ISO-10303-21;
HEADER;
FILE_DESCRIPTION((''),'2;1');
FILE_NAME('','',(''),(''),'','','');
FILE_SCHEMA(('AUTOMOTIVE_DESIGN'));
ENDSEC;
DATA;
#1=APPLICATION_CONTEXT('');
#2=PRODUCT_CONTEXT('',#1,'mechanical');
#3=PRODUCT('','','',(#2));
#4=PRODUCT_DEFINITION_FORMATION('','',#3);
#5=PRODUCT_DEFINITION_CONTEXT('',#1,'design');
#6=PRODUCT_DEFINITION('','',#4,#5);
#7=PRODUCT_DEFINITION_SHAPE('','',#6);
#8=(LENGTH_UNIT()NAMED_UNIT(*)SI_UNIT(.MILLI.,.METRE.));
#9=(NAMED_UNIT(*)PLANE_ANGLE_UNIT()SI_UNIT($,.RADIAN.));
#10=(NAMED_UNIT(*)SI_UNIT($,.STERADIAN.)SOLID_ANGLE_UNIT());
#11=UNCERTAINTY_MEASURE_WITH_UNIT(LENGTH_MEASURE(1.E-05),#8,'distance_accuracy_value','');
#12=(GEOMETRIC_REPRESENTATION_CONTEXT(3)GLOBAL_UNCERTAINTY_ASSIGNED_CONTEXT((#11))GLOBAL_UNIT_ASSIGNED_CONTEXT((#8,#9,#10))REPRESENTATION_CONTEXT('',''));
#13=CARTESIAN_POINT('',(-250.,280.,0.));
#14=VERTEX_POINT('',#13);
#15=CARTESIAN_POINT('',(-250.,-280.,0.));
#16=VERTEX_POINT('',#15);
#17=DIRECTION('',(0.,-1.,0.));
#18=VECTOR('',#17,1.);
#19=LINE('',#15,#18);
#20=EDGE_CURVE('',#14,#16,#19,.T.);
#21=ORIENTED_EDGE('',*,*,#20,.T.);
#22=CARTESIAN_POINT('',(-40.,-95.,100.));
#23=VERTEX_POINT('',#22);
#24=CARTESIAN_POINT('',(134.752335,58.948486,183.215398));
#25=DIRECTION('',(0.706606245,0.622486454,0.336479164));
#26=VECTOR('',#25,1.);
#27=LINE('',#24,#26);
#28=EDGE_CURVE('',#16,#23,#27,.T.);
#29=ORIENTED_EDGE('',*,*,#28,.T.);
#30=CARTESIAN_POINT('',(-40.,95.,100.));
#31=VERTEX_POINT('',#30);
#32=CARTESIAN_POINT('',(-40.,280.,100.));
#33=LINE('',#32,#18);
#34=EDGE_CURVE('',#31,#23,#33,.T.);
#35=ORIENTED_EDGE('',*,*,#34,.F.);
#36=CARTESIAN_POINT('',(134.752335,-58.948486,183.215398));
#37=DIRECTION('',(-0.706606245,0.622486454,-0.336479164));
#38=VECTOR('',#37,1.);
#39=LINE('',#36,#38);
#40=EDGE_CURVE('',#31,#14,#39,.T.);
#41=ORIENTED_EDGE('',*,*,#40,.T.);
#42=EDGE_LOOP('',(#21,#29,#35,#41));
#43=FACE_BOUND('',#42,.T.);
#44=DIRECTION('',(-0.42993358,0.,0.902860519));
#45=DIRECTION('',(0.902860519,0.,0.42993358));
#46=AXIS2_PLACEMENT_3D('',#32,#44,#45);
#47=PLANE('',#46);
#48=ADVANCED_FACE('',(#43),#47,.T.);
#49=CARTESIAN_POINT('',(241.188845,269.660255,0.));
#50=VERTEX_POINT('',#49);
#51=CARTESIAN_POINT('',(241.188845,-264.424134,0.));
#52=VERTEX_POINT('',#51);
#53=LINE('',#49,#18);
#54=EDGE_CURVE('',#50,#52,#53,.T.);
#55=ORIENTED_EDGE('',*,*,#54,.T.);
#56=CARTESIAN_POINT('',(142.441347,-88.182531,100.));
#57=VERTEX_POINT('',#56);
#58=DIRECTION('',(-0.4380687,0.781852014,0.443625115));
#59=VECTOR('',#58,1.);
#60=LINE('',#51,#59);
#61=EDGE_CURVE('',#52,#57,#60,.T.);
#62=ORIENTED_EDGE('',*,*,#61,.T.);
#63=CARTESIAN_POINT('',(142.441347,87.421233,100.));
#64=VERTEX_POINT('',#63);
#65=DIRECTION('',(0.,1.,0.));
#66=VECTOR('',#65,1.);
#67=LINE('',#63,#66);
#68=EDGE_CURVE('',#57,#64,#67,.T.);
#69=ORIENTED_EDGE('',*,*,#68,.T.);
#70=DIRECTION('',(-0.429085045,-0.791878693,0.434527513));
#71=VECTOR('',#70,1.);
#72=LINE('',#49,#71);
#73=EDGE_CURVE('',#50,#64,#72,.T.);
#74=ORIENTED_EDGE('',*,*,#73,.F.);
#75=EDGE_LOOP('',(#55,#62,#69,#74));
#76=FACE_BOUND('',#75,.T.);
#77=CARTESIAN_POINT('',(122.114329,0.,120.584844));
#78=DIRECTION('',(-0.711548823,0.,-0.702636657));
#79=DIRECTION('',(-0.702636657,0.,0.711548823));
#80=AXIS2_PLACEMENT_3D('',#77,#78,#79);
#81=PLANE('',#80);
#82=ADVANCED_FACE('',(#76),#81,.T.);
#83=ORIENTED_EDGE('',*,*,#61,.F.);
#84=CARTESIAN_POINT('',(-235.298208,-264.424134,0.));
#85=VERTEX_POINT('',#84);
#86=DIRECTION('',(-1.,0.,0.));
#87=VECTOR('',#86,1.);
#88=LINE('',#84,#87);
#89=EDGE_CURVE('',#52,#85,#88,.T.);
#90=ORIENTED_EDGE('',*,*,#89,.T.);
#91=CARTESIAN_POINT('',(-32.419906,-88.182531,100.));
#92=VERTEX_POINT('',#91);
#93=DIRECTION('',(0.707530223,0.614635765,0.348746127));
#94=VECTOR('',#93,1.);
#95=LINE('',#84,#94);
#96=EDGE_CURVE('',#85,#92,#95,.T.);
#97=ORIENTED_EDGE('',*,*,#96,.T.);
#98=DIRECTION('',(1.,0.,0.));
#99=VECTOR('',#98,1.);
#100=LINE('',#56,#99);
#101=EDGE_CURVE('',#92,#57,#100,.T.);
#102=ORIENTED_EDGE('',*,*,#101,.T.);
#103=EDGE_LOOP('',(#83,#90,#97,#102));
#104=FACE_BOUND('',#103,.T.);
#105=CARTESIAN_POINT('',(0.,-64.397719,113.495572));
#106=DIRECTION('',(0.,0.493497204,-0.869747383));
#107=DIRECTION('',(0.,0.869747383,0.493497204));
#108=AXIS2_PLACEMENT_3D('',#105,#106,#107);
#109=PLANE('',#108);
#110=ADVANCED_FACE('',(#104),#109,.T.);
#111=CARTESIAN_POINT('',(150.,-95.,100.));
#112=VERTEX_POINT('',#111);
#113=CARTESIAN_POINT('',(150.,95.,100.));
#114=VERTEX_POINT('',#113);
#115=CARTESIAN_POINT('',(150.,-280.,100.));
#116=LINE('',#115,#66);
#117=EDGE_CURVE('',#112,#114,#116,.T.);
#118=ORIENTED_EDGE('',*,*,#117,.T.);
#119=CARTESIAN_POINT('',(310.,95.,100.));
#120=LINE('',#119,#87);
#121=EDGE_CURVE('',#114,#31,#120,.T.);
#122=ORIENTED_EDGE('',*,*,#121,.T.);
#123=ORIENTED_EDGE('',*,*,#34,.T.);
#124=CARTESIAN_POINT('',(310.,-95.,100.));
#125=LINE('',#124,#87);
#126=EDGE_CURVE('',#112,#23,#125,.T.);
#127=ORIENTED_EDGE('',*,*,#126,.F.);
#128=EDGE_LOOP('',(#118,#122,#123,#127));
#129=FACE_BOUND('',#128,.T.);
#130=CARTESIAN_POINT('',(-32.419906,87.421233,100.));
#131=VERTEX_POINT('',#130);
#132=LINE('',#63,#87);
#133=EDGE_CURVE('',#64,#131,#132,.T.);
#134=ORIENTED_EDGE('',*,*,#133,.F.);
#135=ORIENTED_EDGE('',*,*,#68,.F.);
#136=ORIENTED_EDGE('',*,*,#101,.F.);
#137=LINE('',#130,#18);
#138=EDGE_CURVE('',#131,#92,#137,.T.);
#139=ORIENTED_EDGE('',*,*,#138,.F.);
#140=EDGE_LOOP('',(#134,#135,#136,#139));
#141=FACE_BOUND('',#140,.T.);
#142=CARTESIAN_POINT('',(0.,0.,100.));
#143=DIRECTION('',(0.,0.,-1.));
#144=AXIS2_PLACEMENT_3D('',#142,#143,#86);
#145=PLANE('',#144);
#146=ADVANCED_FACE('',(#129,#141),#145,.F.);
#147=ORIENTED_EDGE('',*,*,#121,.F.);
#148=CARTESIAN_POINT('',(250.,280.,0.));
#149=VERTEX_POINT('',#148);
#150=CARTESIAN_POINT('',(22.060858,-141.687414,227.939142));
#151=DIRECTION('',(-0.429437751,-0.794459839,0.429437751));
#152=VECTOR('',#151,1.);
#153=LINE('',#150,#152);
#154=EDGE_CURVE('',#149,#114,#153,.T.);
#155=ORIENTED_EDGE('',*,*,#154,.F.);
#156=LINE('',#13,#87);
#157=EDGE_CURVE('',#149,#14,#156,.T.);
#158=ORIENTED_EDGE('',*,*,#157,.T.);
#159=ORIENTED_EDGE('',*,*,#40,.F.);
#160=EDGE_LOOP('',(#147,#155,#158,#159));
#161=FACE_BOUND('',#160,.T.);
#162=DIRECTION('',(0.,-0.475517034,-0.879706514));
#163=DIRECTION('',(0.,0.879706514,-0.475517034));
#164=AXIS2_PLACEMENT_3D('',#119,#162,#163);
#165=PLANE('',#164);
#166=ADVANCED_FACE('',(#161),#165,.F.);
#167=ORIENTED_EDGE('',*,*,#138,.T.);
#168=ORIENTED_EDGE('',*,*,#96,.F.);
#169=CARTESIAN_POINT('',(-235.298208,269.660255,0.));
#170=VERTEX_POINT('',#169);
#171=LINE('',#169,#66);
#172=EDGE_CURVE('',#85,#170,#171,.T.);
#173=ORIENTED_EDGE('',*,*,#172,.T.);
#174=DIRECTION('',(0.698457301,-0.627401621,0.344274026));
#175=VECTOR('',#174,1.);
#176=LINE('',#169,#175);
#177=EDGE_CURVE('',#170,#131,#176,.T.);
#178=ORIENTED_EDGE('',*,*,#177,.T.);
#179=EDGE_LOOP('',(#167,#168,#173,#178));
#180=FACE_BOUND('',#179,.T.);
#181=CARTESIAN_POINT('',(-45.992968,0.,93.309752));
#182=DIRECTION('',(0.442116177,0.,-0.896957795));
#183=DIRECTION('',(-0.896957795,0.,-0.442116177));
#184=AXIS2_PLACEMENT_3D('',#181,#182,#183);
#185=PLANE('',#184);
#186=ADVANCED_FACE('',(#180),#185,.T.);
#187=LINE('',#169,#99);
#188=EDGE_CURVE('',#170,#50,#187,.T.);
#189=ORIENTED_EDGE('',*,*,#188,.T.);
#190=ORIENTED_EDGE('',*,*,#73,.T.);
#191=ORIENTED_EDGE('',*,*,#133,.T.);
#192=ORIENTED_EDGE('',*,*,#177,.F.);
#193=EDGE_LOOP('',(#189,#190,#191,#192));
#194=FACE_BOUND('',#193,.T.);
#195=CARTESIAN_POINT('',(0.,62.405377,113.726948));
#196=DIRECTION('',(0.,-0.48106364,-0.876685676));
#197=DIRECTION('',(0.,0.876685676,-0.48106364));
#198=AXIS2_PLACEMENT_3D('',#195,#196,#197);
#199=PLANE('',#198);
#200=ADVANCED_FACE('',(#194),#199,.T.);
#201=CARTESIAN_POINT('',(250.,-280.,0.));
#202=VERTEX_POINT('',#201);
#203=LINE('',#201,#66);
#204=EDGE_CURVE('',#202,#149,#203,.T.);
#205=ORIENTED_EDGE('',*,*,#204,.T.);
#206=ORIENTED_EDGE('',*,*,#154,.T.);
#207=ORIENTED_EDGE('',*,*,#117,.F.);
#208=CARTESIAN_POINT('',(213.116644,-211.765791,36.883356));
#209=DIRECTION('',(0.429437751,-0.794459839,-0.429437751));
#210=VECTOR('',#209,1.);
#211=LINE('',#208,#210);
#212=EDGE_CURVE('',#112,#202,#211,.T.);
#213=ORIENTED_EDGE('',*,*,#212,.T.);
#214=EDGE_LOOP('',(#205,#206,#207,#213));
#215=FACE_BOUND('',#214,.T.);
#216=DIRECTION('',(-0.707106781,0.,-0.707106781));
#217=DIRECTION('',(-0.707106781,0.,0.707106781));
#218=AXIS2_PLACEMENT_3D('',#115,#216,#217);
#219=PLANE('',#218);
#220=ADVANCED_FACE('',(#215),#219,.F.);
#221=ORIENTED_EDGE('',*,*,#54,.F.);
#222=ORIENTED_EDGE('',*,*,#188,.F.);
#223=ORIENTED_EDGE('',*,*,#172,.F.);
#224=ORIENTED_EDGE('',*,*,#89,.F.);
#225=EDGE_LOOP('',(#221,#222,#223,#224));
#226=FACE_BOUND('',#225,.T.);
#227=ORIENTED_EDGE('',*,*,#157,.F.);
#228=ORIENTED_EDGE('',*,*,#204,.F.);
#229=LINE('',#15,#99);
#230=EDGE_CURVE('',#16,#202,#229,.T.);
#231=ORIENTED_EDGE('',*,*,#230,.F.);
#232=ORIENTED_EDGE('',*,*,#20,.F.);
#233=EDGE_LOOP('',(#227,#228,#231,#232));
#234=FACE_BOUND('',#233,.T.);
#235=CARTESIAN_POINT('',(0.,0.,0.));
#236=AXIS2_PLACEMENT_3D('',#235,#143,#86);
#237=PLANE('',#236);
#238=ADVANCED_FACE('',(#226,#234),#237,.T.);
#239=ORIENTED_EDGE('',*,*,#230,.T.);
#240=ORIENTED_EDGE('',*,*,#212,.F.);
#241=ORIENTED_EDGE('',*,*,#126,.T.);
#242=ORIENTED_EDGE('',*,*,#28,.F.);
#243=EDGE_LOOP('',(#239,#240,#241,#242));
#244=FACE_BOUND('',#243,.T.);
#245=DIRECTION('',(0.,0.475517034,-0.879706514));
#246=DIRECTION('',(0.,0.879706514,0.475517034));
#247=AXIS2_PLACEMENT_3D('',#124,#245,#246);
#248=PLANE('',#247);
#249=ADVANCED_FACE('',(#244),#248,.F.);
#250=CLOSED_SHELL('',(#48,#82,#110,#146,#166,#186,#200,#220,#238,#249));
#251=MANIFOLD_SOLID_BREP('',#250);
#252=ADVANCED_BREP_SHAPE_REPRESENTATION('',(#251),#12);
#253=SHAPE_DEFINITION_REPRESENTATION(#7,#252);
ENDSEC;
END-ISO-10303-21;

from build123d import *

# Parameters (mm, degrees)
SKETCH1_W               = 500
SKETCH1_H               = 560
BOSS_EXTRUDE1_DEPTH     = 100
CUT_EXTRUDE2_DEPTH      = 560
CUT_EXTRUDE4_DEPTH      = 560
CUT_EXTRUDE5_DEPTH      = 281
CUT_EXTRUDE5_DEPTH_BACK = 281
SKETCH9_W               = 476.487053383
SKETCH9_H               = 534.084389506
SKETCH8_W               = 174.861253259
SKETCH8_H               = 175.603763888


with BuildPart() as part:
    # Sketch1 → Boss-Extrude1 (new body)
    with BuildSketch(Plane.XY):
        Rectangle(SKETCH1_W, SKETCH1_H)
    extrude(amount=BOSS_EXTRUDE1_DEPTH)

    # Sketch2 → Cut-Extrude2 (cut)
    with BuildSketch(Plane(origin=(0, 280, 0), x_dir=(1, 0, 0), z_dir=(0, 1, 0))):
        Polygon((250, -100), (150, -100), (250, 0), align=None)
    extrude(amount=-CUT_EXTRUDE2_DEPTH, mode=Mode.SUBTRACT)

    # Sketch6 → Cut-Extrude4 (cut)
    with BuildSketch(Plane.ZY.offset(250)):
        Polygon((100, 95), (0, 280), (100, 280), align=None)
        Polygon((100, -95), (0, -280), (100, -280), align=None)
    extrude(amount=-CUT_EXTRUDE4_DEPTH, mode=Mode.SUBTRACT)

    # Sketch7 → Cut-Extrude5 (cut, two sides)
    with BuildSketch(Plane(origin=(0, 0, 0), x_dir=(1, 0, 0), z_dir=(0, 1, 0))) as cut_extrude5_sk:
        Polygon((-250, 0), (-250, -100), (-40, -100), align=None)
    extrude(amount=CUT_EXTRUDE5_DEPTH, mode=Mode.SUBTRACT)
    extrude(cut_extrude5_sk.sketch, amount=-CUT_EXTRUDE5_DEPTH_BACK, mode=Mode.SUBTRACT)

    # Sketch9 → Cut-Loft1 section 0
    with BuildSketch(Plane(origin=(0, 0, 0), x_dir=(-1, 0, 0), z_dir=(0, 0, -1))):
        with Locations((-2.945318325, 2.618060733)):
            Rectangle(SKETCH9_W, SKETCH9_H)
    # Sketch8 → Cut-Loft1 section 1
    with BuildSketch(Plane.XY.offset(100)):
        with Locations((55.010720812, -0.38064907)):
            Rectangle(SKETCH8_W, SKETCH8_H)
    loft(mode=Mode.SUBTRACT)


solid = part.part
